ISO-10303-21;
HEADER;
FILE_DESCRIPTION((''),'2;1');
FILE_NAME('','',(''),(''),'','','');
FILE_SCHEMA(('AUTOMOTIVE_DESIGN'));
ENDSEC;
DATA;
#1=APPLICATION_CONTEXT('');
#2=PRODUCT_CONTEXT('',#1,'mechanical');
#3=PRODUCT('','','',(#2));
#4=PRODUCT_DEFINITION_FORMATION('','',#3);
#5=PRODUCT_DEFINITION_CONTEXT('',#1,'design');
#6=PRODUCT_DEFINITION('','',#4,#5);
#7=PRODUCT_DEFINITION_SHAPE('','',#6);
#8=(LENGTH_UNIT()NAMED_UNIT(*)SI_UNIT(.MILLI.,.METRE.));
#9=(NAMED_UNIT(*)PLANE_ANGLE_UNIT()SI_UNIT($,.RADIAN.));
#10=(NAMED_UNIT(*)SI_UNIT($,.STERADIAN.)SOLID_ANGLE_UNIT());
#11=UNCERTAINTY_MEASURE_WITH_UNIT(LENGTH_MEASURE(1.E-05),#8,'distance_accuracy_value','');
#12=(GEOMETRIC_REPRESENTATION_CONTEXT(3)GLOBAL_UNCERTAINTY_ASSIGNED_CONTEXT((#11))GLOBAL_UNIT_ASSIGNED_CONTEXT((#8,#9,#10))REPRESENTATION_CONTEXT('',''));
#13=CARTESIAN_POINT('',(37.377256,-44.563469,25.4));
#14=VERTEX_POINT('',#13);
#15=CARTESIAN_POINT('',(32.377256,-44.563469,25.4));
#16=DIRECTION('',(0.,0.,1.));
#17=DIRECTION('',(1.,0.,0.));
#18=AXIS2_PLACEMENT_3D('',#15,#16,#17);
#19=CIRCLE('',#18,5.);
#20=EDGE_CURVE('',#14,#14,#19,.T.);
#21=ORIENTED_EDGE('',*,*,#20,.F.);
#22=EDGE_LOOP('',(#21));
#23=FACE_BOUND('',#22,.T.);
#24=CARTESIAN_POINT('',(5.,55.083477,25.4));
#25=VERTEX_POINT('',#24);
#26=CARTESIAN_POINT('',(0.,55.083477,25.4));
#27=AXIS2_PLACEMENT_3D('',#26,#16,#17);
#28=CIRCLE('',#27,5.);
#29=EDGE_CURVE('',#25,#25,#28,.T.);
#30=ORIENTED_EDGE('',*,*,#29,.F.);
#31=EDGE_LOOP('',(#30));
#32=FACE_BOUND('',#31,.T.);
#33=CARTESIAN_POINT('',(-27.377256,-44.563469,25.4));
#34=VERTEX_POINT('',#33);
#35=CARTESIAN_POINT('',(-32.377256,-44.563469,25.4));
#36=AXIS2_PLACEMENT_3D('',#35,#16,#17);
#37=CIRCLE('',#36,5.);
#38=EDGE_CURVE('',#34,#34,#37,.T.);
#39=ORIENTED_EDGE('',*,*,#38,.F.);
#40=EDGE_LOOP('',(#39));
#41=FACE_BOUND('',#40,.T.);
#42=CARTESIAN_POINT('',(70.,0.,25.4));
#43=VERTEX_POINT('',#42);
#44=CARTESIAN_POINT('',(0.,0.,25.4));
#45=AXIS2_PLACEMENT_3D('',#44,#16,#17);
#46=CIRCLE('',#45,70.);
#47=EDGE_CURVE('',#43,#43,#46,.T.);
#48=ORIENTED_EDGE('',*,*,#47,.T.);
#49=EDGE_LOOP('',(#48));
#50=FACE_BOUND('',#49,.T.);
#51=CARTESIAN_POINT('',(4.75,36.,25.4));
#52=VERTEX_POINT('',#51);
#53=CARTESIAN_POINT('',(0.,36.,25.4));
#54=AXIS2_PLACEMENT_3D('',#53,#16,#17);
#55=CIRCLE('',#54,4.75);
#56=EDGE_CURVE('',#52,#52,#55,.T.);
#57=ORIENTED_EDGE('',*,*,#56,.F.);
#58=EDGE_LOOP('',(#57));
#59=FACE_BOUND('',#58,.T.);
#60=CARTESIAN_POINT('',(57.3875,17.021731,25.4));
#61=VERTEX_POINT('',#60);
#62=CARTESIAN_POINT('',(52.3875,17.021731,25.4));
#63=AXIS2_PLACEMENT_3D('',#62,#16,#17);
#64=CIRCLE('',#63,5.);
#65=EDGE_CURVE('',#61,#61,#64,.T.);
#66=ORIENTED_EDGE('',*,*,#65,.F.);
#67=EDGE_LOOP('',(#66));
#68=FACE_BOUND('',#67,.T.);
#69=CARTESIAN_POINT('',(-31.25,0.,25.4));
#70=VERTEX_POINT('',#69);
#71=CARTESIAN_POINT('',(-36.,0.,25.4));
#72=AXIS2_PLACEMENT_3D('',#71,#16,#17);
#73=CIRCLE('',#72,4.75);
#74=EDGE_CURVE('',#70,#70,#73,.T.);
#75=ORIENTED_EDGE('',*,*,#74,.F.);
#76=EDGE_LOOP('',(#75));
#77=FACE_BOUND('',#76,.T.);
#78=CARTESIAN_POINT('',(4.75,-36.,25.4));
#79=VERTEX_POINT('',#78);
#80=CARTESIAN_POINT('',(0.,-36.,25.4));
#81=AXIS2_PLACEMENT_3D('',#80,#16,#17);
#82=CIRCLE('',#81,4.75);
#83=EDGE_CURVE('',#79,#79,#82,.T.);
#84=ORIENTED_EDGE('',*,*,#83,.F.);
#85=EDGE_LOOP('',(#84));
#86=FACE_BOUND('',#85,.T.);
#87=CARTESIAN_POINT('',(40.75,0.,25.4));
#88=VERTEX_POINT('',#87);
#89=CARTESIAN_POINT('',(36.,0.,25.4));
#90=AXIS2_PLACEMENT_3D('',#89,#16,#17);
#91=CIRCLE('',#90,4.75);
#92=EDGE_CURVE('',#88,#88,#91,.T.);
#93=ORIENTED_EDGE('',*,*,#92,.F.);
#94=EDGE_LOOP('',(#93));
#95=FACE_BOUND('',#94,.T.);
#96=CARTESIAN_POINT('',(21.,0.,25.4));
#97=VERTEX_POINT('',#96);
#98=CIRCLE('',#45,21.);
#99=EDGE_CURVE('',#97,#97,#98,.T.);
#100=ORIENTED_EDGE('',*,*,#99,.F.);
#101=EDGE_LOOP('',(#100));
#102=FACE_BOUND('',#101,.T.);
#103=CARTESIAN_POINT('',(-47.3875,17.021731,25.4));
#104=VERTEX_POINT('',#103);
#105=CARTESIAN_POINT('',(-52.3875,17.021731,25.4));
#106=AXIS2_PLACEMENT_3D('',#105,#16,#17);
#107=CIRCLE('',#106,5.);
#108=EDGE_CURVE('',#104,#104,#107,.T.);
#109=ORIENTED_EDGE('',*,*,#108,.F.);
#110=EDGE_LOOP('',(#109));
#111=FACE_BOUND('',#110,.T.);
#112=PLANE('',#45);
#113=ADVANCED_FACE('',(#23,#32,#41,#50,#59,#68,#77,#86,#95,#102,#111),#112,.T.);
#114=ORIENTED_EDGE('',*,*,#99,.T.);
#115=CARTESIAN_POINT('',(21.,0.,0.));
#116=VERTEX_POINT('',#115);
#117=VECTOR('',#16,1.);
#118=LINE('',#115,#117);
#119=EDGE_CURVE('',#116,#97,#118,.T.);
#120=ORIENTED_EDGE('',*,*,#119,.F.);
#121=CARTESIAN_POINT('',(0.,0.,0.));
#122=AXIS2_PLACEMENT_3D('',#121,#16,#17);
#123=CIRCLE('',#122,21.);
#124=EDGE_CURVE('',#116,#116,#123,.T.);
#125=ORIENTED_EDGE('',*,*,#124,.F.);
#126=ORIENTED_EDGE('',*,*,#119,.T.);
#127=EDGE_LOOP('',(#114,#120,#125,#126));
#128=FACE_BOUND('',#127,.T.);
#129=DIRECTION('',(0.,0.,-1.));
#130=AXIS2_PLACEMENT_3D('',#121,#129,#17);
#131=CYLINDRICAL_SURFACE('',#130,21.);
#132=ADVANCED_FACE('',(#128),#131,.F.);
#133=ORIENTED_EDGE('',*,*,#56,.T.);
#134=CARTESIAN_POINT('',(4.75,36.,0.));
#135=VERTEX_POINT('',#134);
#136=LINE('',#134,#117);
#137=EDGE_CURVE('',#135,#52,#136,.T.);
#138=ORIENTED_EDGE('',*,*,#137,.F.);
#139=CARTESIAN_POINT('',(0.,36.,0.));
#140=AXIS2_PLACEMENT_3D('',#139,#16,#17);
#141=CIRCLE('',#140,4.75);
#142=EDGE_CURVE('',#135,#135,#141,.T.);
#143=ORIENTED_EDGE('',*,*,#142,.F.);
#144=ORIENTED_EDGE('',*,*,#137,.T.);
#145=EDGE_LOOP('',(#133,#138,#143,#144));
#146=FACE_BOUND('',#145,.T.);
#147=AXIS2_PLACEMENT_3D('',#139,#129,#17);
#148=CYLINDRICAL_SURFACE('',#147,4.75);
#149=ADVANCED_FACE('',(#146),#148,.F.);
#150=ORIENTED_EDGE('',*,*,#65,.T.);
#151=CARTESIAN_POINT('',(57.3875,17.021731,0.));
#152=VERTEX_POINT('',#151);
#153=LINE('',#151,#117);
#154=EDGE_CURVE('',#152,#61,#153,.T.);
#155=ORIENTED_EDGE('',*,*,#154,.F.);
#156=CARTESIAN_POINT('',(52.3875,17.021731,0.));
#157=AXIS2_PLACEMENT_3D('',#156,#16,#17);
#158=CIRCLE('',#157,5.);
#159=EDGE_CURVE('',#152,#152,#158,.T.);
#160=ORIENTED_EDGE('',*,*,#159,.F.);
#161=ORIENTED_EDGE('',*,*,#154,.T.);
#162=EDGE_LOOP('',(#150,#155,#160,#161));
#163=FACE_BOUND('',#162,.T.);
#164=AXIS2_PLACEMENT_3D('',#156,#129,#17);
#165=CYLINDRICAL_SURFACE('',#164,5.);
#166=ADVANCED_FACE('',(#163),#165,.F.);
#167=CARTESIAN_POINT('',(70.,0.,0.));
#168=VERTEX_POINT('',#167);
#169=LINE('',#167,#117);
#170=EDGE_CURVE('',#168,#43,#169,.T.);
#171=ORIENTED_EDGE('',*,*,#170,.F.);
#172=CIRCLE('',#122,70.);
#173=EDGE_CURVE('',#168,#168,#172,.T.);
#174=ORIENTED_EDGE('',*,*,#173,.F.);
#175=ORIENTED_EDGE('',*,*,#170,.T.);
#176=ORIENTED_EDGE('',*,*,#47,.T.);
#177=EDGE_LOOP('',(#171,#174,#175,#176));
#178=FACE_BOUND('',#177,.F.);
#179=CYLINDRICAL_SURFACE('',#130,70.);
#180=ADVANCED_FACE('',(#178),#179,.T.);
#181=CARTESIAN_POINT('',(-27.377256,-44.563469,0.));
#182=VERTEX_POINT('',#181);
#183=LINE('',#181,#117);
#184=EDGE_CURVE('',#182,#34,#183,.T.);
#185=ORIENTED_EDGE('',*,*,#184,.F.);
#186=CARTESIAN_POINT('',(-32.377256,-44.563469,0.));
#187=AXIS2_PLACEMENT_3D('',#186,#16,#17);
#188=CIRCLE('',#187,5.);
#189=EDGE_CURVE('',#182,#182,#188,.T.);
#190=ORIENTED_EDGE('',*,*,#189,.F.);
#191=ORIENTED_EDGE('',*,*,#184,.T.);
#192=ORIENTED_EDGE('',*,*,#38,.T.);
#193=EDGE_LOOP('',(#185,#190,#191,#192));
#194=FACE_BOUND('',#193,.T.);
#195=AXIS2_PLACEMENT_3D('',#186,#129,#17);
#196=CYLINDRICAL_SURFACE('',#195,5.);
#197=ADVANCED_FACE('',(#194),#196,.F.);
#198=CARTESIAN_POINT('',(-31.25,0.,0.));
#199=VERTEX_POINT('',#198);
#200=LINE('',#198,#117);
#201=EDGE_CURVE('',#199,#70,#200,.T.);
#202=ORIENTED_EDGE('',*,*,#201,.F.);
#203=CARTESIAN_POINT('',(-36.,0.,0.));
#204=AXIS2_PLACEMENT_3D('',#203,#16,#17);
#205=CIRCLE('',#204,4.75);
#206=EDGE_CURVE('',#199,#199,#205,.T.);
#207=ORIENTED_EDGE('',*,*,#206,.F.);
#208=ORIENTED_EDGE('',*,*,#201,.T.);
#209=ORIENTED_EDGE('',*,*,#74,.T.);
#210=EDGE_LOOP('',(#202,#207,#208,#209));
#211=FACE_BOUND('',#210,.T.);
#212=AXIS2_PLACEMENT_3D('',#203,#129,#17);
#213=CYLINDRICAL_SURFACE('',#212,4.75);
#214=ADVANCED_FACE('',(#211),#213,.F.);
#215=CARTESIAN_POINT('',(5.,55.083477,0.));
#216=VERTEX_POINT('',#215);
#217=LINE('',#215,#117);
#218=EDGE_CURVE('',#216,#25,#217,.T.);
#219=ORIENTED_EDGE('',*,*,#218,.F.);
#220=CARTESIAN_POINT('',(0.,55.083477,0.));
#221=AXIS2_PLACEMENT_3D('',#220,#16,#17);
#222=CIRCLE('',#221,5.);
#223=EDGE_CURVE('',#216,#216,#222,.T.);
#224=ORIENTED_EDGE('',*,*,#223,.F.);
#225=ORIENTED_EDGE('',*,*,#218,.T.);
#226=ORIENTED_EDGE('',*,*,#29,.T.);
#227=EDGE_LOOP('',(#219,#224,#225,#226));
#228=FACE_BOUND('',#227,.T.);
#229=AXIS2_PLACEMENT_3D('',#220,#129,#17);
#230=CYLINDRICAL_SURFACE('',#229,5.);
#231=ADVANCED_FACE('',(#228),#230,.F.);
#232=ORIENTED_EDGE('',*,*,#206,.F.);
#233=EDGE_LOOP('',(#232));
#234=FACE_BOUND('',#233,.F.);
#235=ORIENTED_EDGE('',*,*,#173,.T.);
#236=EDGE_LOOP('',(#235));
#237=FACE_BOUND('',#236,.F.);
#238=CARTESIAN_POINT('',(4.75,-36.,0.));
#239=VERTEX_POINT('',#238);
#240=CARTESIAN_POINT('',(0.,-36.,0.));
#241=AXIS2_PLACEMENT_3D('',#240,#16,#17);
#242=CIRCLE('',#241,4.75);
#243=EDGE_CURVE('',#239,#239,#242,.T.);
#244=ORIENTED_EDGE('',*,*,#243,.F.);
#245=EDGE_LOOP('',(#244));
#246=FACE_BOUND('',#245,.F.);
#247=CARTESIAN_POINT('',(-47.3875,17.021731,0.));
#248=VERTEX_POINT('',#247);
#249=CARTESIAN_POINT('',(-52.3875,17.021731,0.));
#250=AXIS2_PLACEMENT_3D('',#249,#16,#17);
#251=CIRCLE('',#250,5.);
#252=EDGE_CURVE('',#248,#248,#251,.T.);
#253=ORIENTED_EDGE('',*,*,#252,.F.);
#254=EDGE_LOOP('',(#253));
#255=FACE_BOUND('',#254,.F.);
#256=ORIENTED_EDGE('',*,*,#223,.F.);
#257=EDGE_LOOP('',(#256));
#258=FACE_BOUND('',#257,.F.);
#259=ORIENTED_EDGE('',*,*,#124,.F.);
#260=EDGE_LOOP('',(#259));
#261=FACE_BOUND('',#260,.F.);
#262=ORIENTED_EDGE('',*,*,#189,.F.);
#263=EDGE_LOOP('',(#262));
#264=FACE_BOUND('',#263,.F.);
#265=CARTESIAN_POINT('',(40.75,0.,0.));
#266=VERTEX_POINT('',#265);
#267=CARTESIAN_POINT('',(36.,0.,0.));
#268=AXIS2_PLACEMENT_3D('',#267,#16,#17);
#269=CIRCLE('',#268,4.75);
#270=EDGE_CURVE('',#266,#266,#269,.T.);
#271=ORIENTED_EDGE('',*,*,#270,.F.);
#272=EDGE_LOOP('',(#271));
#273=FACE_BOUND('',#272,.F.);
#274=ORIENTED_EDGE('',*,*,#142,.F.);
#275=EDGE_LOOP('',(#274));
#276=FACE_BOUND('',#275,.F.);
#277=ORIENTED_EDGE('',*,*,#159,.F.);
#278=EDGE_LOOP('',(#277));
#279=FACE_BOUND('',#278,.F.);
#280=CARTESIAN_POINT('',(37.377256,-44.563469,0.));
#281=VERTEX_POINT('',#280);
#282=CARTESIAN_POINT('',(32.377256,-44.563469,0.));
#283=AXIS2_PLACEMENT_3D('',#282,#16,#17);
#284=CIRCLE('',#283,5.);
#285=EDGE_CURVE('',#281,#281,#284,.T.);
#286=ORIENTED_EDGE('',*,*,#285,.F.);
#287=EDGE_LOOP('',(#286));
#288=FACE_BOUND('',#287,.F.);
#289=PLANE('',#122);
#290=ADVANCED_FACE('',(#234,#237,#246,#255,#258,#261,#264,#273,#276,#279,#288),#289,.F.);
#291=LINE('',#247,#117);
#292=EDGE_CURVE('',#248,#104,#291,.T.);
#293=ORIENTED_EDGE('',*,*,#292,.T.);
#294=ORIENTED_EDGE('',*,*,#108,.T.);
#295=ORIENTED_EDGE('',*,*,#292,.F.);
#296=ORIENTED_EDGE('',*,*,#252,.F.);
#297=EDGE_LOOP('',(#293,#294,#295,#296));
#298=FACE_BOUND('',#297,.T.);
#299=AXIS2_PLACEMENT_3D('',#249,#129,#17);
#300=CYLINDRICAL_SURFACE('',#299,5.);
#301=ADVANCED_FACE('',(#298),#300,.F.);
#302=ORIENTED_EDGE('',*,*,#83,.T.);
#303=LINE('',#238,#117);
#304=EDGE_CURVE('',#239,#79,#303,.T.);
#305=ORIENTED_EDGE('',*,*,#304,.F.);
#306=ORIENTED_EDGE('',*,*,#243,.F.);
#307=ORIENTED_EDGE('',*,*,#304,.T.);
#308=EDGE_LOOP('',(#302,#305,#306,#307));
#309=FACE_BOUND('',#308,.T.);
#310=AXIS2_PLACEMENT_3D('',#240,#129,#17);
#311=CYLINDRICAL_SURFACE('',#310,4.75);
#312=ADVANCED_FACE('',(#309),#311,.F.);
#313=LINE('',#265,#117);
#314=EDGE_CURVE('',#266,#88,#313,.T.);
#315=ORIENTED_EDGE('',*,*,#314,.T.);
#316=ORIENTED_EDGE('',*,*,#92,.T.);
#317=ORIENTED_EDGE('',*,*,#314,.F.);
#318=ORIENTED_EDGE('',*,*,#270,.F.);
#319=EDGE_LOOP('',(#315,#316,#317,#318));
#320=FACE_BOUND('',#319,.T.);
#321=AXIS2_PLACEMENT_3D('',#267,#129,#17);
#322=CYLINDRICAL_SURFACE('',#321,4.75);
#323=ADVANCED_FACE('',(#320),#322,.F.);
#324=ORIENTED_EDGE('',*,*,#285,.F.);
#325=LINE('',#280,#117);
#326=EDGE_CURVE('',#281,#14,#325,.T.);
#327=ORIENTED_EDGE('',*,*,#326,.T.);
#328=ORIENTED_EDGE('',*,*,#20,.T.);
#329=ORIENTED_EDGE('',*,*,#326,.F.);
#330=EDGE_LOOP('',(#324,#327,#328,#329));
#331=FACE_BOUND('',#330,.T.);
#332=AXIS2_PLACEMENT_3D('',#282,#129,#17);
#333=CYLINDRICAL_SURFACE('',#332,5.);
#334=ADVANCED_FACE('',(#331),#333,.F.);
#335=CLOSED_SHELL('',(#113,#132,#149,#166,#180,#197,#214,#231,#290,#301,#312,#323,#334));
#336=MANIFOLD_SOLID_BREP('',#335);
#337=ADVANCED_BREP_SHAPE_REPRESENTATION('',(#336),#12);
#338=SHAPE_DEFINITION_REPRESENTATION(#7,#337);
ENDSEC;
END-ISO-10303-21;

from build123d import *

# Parameters (mm, degrees)
F0_R     = 70
F0_R_2   = 5
F0_R_3   = 4.75
F0_R_4   = 21
F1_DEPTH = 25.4


with BuildPart() as f1:
    # F0 (on Top) → F1 (new body)
    with BuildSketch(Plane.XY):
        Circle(F0_R)
        with Locations((-32.377256, -44.563469)):
            Circle(F0_R_2, mode=Mode.SUBTRACT)
        with Locations((0, -36)):
            Circle(F0_R_3, mode=Mode.SUBTRACT)
        with Locations((32.377256, -44.563469)):
            Circle(F0_R_2, mode=Mode.SUBTRACT)
        with Locations((-36, 0)):
            Circle(F0_R_3, mode=Mode.SUBTRACT)
        with Locations((-52.3875, 17.021731)):
            Circle(F0_R_2, mode=Mode.SUBTRACT)
        Circle(F0_R_4, mode=Mode.SUBTRACT)
        with Locations((36, 0)):
            Circle(F0_R_3, mode=Mode.SUBTRACT)
        with Locations((52.3875, 17.021731)):
            Circle(F0_R_2, mode=Mode.SUBTRACT)
        with Locations((0, 36)):
            Circle(F0_R_3, mode=Mode.SUBTRACT)
        with Locations((0, 55.083477)):
            Circle(F0_R_2, mode=Mode.SUBTRACT)
    extrude(amount=F1_DEPTH)


solid = f1.part
